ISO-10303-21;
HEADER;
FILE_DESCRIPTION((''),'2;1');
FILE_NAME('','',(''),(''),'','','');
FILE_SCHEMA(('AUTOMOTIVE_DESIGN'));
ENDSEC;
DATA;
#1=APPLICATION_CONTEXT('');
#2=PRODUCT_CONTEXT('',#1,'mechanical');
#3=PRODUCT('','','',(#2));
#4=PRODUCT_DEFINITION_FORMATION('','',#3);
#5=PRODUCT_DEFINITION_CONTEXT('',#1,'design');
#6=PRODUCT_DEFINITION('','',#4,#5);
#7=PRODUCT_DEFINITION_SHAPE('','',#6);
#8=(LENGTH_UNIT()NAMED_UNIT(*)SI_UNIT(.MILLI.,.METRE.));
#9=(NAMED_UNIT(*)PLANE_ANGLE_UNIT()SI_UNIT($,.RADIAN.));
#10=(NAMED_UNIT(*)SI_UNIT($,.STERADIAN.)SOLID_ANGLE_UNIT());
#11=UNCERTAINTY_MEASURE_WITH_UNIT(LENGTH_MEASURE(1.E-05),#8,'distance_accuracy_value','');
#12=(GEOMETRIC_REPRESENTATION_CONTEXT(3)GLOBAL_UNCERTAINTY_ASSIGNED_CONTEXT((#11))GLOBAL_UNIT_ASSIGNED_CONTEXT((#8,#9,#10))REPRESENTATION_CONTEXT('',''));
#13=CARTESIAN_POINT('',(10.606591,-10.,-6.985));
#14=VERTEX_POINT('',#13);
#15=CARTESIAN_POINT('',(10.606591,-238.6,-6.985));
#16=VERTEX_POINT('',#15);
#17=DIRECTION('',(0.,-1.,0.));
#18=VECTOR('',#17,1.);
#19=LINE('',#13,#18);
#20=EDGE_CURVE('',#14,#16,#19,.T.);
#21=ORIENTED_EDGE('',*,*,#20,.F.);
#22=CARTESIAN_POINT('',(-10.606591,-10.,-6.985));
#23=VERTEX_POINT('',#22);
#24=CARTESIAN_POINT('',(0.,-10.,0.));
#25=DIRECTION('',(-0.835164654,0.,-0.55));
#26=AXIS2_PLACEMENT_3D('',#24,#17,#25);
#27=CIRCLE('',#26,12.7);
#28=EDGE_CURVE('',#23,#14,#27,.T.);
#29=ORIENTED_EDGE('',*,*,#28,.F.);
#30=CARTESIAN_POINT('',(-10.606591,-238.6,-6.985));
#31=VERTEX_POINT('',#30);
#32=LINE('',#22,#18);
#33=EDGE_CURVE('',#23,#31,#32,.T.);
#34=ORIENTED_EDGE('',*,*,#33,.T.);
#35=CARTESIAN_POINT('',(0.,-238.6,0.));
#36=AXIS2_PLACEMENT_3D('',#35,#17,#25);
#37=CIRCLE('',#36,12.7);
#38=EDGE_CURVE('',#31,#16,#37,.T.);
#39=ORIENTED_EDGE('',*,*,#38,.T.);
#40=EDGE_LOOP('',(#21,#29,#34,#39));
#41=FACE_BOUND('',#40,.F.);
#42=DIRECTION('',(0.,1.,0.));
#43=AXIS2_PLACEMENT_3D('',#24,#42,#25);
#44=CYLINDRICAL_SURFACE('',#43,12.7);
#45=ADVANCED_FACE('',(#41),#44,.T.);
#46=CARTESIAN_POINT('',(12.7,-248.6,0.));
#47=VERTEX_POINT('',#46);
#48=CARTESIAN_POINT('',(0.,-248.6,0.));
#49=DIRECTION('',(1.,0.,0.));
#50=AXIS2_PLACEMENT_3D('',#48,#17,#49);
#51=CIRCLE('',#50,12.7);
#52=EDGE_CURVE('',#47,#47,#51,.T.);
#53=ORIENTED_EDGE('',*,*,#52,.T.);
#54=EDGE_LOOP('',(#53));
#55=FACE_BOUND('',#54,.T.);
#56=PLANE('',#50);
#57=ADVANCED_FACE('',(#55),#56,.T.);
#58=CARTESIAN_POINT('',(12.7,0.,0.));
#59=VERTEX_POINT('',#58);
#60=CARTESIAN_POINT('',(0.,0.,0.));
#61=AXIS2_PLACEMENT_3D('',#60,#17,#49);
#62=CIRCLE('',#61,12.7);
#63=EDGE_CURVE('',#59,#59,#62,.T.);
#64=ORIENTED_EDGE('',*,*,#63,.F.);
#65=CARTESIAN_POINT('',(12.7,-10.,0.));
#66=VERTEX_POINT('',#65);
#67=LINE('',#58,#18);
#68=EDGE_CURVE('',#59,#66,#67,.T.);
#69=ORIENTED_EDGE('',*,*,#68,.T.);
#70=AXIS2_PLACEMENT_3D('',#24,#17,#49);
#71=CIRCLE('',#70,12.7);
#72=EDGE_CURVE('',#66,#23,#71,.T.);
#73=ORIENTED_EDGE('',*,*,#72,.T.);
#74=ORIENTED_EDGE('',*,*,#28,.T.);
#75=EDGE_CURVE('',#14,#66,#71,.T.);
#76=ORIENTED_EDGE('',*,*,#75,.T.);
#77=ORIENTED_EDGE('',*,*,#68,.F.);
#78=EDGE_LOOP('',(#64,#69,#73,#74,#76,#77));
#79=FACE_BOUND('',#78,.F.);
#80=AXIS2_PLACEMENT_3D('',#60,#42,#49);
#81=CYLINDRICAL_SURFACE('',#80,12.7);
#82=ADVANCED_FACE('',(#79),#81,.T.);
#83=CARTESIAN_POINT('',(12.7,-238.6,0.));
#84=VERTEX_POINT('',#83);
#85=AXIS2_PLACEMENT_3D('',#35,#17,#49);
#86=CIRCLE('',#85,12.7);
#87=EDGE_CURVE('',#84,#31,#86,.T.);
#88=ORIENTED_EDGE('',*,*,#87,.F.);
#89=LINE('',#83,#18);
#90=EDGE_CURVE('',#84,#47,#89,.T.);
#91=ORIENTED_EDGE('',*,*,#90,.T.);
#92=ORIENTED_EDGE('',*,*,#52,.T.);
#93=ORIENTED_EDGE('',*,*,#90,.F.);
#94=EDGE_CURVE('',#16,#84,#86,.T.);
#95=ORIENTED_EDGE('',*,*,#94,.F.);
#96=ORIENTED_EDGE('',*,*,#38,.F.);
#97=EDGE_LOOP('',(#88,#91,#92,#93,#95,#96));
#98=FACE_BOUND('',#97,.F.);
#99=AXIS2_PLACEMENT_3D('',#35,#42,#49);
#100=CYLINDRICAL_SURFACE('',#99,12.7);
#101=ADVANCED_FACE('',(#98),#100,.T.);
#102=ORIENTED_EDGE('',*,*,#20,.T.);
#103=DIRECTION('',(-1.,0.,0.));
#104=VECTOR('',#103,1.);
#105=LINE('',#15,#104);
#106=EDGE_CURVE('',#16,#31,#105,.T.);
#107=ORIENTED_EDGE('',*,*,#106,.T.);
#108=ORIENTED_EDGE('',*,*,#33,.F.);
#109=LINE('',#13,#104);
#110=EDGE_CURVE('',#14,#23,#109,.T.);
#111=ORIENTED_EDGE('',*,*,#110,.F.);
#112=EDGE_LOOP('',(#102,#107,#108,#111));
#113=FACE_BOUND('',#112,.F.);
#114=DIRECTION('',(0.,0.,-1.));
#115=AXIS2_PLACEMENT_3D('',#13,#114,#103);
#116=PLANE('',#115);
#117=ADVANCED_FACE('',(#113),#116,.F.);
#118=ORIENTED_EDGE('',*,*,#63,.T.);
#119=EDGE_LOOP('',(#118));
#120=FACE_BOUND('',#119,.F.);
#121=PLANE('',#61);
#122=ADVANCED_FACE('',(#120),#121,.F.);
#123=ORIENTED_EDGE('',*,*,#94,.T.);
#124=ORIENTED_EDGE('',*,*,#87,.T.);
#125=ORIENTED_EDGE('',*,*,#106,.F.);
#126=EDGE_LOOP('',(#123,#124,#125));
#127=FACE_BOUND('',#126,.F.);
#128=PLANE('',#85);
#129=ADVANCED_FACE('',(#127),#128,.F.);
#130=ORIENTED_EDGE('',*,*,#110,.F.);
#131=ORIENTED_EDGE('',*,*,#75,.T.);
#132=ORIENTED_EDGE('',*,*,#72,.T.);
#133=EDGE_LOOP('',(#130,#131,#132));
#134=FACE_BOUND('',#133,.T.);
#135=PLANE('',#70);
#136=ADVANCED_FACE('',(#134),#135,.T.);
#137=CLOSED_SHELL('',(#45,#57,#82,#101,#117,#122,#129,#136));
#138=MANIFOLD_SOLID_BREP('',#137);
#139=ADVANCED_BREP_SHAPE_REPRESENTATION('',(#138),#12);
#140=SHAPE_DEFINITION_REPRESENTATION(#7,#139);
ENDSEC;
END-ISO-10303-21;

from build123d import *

# Parameters (mm, degrees)
F0_R     = 12.7
F1_DEPTH = 10
F3_DEPTH = 228.6
F4_R     = 12.7
F5_DEPTH = 10


with BuildPart() as f1:
    # F0 (on Front) → F1 (new body)
    with BuildSketch(Plane.XZ):
        Circle(F0_R)
    extrude(amount=F1_DEPTH)

    # F2 (on face) → F3 (join)
    with BuildSketch(Plane.XZ.offset(10)):
        with BuildLine():
            Line((10.6065911112, -6.985), (-10.6065911112, -6.985))
            ThreePointArc((-10.6065911112, -6.985), (0, -12.7), (10.6065911112, -6.985))
        make_face()
    extrude(amount=F3_DEPTH)

    # F4 (on face) → F5 (join)
    with BuildSketch(Plane.XZ.offset(238.6)):
        Circle(F4_R)
    extrude(amount=F5_DEPTH)


solid = f1.part
